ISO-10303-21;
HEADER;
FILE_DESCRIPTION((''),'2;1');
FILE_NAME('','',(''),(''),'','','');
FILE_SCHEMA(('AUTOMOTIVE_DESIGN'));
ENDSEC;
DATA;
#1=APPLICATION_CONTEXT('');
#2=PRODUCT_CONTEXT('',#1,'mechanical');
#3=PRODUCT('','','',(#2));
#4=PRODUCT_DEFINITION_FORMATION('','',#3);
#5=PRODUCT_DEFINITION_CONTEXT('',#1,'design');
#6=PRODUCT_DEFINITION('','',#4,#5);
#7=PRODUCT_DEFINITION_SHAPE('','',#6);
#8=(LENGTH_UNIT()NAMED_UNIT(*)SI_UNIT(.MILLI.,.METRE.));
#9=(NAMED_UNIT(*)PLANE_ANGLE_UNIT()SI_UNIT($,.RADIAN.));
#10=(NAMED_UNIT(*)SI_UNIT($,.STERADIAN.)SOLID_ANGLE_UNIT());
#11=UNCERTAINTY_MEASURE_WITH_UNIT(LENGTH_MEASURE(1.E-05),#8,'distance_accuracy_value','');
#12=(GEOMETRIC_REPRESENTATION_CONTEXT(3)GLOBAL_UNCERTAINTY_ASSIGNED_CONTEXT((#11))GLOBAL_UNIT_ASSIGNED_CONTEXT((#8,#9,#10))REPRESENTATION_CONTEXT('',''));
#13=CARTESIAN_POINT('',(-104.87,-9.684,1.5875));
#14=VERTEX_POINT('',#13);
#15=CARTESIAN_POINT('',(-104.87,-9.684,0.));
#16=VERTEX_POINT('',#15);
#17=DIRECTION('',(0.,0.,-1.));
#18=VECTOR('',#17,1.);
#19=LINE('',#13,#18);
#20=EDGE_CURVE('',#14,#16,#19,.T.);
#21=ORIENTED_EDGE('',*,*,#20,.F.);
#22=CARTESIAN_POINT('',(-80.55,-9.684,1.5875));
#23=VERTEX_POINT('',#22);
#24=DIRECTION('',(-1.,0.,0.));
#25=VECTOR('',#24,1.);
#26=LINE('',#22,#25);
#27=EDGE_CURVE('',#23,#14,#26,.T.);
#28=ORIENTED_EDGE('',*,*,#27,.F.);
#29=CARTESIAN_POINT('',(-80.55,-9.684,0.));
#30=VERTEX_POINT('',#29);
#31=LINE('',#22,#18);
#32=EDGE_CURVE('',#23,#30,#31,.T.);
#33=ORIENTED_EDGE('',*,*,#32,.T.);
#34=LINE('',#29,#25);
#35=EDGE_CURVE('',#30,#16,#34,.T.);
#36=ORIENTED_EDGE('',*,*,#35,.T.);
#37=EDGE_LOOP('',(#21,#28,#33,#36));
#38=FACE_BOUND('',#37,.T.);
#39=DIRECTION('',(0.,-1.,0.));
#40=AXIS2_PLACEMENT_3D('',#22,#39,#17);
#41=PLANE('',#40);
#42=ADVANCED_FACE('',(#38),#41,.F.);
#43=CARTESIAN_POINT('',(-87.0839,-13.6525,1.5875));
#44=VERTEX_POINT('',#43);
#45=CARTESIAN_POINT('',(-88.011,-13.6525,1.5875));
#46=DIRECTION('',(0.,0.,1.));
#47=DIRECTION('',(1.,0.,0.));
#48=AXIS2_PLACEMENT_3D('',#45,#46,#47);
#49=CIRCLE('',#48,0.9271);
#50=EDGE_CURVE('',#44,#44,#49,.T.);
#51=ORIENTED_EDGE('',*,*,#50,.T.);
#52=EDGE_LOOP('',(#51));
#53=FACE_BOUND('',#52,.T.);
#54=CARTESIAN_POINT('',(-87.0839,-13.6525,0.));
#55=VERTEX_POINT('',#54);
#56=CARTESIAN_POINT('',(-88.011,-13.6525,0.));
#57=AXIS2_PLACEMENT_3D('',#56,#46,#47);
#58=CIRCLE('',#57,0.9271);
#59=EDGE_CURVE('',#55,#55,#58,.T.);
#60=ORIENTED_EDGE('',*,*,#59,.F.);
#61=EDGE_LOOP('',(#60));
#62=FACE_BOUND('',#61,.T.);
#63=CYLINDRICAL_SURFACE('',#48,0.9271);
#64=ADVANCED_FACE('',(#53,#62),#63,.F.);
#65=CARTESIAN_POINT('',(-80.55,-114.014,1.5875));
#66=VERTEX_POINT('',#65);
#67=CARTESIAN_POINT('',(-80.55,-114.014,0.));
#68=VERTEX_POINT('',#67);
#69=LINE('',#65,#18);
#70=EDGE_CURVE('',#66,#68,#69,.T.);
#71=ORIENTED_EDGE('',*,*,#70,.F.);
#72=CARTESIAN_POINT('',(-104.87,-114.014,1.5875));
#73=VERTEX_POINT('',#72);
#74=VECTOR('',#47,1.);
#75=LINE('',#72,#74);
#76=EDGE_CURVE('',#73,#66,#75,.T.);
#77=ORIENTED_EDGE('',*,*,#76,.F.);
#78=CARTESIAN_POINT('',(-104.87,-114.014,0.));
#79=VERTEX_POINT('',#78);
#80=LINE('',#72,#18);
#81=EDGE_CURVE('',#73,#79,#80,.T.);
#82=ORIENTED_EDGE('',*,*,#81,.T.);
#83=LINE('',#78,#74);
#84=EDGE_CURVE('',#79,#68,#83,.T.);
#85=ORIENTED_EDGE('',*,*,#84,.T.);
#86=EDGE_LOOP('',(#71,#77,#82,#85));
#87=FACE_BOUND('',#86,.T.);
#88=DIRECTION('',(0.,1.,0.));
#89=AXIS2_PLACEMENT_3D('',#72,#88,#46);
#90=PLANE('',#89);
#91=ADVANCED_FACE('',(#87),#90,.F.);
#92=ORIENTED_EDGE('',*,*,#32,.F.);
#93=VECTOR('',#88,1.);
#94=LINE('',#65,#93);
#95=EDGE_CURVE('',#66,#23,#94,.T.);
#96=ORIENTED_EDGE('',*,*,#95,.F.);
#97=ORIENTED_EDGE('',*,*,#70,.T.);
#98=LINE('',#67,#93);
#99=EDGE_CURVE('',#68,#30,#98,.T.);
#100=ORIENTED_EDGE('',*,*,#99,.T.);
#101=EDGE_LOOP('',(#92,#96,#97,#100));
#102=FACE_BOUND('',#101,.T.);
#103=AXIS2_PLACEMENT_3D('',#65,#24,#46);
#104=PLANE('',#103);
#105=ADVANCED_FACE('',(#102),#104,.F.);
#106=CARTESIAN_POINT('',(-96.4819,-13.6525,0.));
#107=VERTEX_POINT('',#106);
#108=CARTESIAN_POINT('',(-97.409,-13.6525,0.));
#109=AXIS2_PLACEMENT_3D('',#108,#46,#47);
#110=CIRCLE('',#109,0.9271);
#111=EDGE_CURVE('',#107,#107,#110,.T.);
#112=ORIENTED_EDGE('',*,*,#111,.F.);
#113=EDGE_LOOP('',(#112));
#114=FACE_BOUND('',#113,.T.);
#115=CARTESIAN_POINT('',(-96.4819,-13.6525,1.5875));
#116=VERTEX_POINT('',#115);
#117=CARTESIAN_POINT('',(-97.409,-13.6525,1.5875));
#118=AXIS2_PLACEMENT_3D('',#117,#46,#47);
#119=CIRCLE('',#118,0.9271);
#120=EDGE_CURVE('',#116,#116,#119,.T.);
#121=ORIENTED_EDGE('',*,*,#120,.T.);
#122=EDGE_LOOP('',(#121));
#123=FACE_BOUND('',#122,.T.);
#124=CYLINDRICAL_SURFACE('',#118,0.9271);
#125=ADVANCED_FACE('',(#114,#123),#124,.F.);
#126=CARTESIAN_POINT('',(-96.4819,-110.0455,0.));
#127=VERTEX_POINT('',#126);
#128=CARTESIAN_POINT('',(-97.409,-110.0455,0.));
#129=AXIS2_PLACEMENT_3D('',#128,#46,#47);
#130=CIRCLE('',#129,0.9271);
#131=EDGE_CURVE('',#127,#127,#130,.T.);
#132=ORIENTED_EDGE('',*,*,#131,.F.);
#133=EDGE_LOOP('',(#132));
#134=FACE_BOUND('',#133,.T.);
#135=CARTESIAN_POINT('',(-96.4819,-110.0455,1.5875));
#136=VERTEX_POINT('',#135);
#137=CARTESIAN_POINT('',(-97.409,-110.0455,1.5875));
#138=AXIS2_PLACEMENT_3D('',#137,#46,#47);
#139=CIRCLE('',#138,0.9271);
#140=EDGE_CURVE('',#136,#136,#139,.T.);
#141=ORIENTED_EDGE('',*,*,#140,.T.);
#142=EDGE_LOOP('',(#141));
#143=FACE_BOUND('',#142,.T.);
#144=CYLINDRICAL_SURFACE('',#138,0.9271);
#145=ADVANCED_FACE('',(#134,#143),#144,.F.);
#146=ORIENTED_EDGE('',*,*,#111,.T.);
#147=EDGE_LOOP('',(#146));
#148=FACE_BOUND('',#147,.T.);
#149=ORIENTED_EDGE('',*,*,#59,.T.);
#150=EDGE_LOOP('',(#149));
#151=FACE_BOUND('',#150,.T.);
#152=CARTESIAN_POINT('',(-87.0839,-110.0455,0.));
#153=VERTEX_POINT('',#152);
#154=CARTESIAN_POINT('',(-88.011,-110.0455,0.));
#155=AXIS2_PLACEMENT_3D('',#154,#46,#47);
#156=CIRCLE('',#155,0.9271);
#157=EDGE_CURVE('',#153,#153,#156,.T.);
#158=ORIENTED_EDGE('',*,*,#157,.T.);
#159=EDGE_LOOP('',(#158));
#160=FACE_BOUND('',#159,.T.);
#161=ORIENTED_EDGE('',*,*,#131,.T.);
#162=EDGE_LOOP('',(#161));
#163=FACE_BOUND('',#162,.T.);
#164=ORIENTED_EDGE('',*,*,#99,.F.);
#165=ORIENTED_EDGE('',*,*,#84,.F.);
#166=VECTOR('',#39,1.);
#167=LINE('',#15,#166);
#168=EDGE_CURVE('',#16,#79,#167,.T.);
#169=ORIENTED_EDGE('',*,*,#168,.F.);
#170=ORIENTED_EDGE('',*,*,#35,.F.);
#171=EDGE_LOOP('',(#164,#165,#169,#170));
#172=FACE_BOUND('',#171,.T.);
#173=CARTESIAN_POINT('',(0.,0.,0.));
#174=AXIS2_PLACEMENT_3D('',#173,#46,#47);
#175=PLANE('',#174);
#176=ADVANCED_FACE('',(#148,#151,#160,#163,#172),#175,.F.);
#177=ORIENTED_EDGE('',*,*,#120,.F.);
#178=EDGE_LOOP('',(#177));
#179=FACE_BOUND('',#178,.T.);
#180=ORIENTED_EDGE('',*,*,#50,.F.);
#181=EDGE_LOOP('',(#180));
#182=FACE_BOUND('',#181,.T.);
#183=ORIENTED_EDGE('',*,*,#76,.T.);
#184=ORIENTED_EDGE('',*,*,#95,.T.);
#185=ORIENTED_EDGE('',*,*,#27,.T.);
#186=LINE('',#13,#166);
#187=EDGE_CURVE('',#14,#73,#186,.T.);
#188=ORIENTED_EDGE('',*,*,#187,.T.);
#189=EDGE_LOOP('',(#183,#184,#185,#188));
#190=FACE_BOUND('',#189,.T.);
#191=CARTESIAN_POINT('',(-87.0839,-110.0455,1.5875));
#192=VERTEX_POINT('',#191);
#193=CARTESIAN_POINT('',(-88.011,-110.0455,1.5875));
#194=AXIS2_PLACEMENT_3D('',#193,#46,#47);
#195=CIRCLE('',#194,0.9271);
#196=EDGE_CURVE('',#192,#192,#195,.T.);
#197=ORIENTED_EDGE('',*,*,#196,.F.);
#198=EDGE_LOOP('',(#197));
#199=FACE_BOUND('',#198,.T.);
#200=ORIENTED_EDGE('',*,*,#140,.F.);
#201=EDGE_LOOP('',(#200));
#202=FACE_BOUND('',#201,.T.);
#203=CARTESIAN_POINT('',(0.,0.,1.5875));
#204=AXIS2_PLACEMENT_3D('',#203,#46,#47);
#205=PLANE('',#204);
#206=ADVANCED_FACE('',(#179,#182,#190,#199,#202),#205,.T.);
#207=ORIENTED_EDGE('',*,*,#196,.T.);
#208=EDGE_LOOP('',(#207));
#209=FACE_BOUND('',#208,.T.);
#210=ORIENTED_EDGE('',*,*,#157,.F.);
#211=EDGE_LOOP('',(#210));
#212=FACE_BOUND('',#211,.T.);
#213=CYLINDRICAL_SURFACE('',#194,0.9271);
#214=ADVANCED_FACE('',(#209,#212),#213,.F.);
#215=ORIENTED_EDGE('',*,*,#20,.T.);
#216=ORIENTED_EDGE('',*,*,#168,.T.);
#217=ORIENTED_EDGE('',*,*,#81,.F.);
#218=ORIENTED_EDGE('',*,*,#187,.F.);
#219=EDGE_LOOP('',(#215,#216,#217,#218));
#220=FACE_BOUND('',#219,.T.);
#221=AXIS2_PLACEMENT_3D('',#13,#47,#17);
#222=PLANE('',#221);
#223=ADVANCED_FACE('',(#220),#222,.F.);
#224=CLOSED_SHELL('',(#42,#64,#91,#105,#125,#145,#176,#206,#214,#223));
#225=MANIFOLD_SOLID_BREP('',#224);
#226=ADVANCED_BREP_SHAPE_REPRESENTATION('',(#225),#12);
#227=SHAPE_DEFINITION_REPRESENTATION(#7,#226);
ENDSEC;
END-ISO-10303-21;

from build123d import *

# Parameters (mm, degrees)
SKETCH1_W             = 24.32
SKETCH1_H             = 104.33
BOSS_EXTRUDE1_DEPTH   = 1.5875
F_0_CLEARANCE_HOLE1_D = 1.8542


with BuildPart() as part:
    # Sketch1 → Boss-Extrude1 (new body)
    with BuildSketch(Plane.XY):
        with Locations((-92.71, -61.849)):
            Rectangle(SKETCH1_W, SKETCH1_H)
    extrude(amount=BOSS_EXTRUDE1_DEPTH)

    # #0 Clearance Hole1 (through all)
    with Locations(Plane.XY.offset(1.5875)):
        with Locations((-88.011, -110.0455), (-97.409, -110.0455), (-88.011, -13.6525), (-97.409, -13.6525)):
            Hole(F_0_CLEARANCE_HOLE1_D / 2)


solid = part.part
